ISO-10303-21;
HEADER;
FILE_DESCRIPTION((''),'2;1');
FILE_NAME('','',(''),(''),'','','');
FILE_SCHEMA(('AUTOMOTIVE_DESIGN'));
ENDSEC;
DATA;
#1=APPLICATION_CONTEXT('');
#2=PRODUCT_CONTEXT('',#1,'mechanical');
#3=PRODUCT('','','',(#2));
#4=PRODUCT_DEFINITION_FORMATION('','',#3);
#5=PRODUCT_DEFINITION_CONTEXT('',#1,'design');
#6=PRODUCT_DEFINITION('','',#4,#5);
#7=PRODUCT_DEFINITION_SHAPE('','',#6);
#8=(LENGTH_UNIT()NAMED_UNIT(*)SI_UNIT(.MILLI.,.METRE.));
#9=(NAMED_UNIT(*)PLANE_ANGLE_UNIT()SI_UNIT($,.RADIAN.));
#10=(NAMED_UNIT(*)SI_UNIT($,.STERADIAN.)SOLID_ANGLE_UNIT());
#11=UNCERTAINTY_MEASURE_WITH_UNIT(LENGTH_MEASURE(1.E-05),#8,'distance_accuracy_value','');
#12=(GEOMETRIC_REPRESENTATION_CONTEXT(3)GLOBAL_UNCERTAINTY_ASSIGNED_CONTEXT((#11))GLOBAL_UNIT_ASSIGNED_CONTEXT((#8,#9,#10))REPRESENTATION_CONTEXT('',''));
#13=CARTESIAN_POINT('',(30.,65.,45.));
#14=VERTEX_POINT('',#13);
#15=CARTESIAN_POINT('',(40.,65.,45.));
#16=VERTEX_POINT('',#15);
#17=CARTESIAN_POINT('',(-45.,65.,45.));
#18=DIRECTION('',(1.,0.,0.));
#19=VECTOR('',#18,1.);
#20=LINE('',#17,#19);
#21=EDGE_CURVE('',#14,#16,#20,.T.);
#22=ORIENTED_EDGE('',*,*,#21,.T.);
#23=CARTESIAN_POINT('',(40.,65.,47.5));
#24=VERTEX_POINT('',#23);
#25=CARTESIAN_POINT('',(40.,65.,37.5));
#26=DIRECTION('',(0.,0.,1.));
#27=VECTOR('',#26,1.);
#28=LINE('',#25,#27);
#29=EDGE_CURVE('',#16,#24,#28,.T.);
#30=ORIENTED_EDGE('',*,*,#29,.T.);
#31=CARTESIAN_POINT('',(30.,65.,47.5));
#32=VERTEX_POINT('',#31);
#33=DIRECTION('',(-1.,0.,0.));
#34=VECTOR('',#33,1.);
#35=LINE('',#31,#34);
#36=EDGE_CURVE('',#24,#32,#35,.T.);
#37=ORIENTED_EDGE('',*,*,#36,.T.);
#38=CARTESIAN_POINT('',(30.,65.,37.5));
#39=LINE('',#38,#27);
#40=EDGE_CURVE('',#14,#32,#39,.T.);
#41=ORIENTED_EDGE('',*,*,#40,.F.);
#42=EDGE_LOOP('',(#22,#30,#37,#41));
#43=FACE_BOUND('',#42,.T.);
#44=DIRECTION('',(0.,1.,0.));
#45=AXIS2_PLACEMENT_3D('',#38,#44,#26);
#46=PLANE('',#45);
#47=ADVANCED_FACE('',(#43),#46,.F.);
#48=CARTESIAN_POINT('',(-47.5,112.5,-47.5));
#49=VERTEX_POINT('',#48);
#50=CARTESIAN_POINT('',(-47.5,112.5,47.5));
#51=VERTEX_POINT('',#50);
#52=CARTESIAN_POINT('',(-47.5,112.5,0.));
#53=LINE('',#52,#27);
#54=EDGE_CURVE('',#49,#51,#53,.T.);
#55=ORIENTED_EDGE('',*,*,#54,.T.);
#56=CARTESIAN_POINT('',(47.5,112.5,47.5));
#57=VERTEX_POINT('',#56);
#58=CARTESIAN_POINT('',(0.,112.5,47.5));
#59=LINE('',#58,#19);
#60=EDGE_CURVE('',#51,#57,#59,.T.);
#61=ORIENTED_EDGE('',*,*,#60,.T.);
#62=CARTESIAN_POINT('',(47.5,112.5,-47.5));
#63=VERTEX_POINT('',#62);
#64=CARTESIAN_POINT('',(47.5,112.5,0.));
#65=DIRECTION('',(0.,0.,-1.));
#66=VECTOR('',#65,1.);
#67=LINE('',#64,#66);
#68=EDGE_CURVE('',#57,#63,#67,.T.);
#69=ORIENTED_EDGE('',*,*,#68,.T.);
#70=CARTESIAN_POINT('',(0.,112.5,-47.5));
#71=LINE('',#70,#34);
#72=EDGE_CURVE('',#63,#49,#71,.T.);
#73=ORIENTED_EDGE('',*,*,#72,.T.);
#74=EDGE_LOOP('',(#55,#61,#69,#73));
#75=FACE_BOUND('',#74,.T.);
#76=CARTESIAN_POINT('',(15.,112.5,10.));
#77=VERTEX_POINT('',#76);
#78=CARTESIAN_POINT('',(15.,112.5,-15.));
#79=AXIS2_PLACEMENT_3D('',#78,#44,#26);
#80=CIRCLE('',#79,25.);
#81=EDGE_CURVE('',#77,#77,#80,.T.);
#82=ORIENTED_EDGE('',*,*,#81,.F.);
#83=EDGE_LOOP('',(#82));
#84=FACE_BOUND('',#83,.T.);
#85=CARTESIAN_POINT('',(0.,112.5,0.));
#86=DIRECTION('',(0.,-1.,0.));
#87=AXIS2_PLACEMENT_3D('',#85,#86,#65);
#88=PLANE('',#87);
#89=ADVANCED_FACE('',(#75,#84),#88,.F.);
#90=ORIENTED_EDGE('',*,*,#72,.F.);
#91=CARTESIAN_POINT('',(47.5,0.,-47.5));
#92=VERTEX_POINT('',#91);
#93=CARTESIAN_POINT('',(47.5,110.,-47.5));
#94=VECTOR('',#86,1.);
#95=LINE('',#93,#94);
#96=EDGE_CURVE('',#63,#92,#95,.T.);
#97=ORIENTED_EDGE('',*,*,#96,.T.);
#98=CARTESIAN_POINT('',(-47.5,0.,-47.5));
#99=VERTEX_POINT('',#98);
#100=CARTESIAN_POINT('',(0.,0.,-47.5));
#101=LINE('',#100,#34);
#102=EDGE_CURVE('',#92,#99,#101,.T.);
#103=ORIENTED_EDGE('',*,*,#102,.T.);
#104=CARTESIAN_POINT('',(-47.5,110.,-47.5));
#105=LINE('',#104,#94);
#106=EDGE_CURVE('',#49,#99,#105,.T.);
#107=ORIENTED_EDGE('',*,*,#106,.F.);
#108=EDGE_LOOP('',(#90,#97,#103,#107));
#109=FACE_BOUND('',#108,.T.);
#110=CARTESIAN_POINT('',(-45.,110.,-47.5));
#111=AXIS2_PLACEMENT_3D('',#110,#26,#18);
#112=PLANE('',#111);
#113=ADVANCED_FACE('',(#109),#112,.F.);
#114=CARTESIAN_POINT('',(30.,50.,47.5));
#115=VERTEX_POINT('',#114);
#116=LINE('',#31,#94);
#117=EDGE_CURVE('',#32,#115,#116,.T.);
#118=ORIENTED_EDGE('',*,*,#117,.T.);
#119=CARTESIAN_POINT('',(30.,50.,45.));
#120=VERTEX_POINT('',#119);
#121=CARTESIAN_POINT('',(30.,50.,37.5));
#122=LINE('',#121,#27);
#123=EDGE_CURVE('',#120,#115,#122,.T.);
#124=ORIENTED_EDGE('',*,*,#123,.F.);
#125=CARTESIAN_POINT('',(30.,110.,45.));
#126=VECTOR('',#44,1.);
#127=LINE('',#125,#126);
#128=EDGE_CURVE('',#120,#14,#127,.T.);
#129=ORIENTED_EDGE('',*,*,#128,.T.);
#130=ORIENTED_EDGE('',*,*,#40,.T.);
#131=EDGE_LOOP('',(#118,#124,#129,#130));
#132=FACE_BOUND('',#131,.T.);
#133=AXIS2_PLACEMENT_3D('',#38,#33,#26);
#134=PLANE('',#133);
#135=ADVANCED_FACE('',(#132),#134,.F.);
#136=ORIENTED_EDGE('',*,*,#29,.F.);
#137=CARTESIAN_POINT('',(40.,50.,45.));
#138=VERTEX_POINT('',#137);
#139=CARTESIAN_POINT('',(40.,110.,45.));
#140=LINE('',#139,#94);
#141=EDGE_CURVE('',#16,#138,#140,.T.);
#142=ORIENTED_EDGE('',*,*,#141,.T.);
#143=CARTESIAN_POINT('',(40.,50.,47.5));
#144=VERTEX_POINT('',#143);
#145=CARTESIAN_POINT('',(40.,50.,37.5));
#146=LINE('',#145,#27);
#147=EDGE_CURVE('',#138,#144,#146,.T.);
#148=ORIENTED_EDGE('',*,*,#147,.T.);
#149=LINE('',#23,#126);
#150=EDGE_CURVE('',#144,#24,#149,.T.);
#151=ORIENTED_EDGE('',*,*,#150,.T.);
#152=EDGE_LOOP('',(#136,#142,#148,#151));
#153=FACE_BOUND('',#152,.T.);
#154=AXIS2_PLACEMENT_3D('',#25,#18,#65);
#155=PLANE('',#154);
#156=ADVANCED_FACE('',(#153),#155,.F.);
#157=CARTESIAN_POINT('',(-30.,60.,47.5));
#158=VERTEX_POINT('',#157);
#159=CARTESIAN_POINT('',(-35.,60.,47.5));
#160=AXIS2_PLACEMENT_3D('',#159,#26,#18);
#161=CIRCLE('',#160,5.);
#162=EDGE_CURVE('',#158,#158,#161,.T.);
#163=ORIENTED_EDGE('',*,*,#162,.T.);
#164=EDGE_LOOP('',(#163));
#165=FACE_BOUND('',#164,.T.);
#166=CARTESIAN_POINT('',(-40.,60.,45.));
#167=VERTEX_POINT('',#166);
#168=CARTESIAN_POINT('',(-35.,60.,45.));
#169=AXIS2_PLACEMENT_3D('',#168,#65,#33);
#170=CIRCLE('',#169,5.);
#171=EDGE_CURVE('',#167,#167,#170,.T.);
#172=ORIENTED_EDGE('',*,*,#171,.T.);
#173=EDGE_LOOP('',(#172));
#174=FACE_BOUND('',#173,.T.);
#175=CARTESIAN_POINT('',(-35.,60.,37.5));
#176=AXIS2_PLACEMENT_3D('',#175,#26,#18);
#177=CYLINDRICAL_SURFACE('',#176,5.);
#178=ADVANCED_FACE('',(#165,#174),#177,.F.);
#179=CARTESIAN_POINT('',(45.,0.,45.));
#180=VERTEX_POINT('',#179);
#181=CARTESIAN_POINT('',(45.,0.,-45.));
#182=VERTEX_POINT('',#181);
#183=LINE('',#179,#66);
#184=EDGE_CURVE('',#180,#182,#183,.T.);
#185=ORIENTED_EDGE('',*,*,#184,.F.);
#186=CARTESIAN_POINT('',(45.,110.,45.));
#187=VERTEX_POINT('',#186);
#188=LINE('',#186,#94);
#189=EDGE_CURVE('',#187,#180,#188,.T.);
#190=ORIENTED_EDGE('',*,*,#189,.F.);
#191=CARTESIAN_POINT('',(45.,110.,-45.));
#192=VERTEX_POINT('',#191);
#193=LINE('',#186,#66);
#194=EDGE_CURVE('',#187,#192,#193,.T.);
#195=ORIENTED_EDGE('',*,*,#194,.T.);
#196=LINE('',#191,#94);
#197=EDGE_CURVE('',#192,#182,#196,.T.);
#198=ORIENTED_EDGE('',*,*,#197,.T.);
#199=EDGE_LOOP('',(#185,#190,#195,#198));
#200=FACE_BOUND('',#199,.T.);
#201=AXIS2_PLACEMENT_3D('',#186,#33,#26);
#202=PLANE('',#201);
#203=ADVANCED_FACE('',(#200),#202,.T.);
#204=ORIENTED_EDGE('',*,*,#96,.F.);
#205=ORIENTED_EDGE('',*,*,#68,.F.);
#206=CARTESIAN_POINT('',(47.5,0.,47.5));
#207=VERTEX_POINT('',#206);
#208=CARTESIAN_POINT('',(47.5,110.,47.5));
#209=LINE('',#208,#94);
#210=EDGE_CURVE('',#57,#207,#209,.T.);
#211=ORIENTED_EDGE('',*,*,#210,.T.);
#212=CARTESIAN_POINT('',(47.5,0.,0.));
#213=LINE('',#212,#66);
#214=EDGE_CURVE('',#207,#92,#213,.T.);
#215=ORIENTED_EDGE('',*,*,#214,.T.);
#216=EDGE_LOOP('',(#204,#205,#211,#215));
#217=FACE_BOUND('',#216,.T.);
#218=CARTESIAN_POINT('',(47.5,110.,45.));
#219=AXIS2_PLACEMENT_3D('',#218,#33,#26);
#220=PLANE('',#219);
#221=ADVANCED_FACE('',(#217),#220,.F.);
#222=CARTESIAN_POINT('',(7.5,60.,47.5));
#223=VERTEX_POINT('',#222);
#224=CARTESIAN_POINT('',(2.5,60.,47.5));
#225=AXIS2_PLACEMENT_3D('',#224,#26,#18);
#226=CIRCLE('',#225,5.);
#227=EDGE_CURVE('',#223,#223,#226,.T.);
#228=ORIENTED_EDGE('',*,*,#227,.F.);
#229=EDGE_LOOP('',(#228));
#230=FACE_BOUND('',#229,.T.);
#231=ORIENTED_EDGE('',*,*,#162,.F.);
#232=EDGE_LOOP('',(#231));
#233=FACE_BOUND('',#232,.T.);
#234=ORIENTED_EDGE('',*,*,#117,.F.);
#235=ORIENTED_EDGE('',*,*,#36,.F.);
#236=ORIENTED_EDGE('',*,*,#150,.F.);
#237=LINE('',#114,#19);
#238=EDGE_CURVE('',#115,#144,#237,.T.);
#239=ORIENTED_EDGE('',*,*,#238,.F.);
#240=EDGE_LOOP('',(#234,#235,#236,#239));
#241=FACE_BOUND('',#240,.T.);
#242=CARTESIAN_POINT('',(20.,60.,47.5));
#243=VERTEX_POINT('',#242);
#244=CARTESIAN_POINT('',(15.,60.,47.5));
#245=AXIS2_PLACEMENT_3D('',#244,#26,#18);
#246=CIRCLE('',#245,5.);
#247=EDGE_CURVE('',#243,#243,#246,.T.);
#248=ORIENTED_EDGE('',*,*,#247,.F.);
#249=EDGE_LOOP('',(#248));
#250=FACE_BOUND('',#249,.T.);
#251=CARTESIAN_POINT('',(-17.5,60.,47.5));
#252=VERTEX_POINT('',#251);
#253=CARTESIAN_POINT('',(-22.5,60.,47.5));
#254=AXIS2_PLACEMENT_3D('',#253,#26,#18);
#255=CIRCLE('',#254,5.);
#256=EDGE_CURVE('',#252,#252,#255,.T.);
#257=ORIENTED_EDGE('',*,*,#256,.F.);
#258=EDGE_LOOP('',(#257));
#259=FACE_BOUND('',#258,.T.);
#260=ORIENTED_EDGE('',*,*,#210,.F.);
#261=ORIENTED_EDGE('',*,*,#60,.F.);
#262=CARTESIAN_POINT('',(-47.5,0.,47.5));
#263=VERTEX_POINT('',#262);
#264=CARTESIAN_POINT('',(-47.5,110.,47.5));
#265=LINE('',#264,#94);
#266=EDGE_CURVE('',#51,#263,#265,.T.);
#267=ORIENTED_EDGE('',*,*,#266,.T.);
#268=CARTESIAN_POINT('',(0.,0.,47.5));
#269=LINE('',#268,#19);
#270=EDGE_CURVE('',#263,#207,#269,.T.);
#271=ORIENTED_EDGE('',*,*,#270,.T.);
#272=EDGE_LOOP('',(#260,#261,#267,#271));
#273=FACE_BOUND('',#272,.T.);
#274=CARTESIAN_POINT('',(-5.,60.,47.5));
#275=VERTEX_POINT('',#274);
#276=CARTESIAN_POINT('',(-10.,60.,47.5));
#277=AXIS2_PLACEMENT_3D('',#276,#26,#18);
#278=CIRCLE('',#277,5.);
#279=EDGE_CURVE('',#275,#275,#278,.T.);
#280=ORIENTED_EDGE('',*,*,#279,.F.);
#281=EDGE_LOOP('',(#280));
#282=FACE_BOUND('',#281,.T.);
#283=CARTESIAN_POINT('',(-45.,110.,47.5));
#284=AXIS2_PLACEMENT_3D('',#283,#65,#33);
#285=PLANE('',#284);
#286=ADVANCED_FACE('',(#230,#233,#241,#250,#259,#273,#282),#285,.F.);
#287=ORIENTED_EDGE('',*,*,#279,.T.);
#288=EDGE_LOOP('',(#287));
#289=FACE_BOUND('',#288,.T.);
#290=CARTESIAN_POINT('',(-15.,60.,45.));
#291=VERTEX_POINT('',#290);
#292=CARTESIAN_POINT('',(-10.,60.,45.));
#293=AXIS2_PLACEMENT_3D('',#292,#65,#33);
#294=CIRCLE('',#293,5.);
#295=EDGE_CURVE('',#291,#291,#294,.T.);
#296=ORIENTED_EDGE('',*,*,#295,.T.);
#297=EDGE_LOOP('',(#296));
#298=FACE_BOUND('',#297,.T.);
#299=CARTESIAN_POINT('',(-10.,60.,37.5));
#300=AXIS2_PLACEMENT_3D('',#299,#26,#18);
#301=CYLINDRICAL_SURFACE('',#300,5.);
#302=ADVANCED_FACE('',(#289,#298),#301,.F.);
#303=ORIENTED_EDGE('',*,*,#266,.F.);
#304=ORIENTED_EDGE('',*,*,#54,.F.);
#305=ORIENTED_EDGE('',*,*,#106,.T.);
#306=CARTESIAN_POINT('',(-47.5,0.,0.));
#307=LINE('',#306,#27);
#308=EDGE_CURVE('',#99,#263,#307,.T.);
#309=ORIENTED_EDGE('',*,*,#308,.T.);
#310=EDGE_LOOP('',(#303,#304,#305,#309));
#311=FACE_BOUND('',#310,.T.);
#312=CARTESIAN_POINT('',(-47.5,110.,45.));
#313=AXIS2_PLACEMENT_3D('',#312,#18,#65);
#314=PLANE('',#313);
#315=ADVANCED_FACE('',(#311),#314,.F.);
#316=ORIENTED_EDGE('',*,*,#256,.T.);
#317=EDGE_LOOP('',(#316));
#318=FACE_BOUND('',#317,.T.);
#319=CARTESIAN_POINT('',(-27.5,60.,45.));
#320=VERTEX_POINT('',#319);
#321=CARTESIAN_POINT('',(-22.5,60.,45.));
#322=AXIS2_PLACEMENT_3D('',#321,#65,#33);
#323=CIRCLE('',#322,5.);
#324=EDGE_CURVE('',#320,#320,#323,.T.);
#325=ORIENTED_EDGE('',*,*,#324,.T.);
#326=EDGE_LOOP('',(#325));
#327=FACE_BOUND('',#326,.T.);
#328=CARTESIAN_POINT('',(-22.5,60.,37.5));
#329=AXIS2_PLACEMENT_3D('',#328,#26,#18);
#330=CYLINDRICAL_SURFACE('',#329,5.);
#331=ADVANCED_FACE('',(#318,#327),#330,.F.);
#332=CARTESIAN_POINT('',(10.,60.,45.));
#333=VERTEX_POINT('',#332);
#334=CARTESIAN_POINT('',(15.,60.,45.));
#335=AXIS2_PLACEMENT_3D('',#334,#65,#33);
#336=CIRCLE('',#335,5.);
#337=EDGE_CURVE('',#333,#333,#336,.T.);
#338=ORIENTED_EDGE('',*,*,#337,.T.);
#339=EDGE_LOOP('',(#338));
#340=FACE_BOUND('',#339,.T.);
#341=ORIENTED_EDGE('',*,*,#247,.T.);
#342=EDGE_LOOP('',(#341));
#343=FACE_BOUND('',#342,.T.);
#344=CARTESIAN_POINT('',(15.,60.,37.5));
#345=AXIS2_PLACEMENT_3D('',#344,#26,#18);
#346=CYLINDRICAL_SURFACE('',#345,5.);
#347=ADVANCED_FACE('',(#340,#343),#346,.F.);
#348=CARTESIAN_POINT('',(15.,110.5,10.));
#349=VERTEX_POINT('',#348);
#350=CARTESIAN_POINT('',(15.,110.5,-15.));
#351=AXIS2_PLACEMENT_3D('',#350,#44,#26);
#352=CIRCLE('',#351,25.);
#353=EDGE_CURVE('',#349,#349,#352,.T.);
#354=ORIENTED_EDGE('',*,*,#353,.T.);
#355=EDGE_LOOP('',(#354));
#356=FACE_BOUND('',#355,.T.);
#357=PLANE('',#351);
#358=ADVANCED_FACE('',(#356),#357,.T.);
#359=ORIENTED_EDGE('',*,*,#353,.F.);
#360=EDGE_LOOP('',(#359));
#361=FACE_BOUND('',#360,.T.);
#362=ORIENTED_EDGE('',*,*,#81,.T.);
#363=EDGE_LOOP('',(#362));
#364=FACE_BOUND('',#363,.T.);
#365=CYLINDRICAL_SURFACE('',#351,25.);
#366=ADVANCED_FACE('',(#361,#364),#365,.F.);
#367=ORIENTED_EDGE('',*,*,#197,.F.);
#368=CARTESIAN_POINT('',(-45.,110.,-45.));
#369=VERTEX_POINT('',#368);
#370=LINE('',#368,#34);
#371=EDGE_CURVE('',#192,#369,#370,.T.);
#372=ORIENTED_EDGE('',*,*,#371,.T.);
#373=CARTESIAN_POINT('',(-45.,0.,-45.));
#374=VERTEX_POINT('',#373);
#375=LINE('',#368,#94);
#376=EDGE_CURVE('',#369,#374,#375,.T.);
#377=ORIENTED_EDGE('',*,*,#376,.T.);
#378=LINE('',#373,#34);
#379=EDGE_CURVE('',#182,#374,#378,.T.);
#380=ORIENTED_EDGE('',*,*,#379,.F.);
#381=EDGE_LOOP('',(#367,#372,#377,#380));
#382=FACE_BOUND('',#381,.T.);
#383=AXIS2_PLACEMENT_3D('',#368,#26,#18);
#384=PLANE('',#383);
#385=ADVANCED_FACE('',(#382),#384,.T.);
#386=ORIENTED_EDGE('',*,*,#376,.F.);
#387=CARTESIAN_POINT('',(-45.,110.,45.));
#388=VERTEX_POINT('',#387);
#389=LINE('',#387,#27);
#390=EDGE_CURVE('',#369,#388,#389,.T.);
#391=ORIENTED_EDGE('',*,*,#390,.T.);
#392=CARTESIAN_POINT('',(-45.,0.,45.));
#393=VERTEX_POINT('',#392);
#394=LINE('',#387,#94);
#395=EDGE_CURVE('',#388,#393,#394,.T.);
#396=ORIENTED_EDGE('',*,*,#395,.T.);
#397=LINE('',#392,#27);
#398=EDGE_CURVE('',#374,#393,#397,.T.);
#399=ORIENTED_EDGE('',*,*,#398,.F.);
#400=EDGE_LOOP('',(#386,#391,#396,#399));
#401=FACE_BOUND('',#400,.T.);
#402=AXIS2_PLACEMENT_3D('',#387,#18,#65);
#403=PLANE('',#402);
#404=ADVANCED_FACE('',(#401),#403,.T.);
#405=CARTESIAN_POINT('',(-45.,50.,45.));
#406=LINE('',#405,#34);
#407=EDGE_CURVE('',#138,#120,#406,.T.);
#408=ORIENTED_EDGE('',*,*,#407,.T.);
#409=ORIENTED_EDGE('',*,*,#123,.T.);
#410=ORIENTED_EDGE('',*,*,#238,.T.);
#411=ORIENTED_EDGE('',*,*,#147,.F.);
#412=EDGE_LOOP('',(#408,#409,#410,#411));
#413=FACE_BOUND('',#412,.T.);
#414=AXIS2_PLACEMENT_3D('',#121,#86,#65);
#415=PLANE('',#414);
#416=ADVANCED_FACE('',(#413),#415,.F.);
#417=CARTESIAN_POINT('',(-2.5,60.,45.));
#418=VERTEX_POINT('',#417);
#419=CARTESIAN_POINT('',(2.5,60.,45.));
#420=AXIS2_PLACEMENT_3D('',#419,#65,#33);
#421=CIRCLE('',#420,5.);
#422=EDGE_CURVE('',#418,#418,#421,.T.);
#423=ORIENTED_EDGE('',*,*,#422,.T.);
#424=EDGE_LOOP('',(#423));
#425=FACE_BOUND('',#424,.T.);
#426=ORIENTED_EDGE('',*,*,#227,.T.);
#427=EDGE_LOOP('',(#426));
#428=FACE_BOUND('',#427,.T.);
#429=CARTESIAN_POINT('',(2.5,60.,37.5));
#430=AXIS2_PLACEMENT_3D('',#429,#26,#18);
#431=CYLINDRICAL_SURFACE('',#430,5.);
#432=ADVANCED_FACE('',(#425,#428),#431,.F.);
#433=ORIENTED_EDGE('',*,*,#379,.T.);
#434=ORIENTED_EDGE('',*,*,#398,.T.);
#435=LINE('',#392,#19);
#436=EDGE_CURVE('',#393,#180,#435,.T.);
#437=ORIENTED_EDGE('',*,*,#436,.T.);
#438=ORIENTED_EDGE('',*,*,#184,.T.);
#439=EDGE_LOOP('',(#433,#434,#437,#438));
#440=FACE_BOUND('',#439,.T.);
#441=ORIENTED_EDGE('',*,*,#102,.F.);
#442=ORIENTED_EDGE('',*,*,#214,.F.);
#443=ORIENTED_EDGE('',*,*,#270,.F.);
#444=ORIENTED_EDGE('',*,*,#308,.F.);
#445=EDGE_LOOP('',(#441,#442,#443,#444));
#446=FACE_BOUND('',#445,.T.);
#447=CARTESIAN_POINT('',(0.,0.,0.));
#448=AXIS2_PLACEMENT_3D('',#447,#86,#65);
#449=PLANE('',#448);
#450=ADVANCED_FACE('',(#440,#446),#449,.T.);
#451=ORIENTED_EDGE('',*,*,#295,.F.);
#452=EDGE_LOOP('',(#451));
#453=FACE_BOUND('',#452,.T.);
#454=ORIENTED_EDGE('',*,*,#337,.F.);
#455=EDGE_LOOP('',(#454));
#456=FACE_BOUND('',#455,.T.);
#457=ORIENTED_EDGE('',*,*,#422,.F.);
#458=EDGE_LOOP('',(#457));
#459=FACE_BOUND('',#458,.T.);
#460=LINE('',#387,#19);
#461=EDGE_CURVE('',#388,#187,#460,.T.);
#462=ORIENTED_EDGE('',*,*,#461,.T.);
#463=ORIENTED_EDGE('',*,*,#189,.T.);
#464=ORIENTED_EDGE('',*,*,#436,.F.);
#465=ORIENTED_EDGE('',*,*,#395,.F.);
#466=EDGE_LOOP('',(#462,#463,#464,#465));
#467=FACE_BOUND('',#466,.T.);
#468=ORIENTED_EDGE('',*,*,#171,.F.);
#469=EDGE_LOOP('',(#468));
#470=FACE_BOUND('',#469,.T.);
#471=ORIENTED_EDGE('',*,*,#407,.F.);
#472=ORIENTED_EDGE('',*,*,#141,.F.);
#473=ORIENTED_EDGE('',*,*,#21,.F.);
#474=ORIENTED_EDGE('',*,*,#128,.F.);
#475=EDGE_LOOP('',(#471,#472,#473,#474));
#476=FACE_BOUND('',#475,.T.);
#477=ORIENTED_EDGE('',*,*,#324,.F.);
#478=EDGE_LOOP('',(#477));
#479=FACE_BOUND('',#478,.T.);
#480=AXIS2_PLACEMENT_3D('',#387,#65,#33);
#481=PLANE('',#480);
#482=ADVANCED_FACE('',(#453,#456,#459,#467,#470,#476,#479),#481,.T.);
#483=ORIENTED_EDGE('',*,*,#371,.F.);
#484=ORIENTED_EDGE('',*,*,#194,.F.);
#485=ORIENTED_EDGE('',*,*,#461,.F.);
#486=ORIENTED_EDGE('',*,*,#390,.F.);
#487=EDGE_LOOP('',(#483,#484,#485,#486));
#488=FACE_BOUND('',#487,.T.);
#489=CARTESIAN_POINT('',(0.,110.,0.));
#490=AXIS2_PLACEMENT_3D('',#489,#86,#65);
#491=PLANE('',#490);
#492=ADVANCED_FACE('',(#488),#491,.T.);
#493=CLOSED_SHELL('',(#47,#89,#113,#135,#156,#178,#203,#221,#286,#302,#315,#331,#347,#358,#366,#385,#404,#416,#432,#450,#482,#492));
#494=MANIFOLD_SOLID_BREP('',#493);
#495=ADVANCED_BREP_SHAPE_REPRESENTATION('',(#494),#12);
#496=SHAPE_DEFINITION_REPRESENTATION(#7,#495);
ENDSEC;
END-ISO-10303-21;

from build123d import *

# Parameters (mm, degrees)
SKETCH2_W           = 90
SKETCH2_H           = 90
BOSS_EXTRUDE2_DEPTH = 110
SHELL2_T            = 2.5
SKETCH3_R           = 5
SKETCH3_W           = 10
SKETCH3_H           = 15
CUT_EXTRUDE1_DEPTH  = 10
SKETCH4_R           = 25
CUT_EXTRUDE2_DEPTH  = 2


with BuildPart() as part:
    # Sketch2 → Boss-Extrude2 (new body)
    with BuildSketch(Plane(origin=(0, 0, 0), x_dir=(1, 0, 0), z_dir=(0, 1, 0))):
        Rectangle(SKETCH2_W, SKETCH2_H)
    extrude(amount=BOSS_EXTRUDE2_DEPTH)

    # Shell2
    shell2_openings = [part.faces().sort_by_distance(p)[0] for p in [
        (0, 0, 0),
    ]]
    offset(amount=SHELL2_T, openings=shell2_openings, kind=Kind.INTERSECTION)

    # Sketch3 → Cut-Extrude1 (cut)
    with BuildSketch(Plane.XY.offset(47.5)):
        with Locations((-35, 60)):
            Circle(SKETCH3_R)
        with Locations((-22.5, 60)):
            Circle(SKETCH3_R)
        with Locations((-10, 60)):
            Circle(SKETCH3_R)
        with Locations((2.5, 60)):
            Circle(SKETCH3_R)
        with Locations((15, 60)):
            Circle(SKETCH3_R)
        with Locations((35, 57.5)):
            Rectangle(SKETCH3_W, SKETCH3_H)
    extrude(amount=-CUT_EXTRUDE1_DEPTH, mode=Mode.SUBTRACT)

    # Sketch4 → Cut-Extrude2 (cut)
    with BuildSketch(Plane(origin=(0, 112.5, 0), x_dir=(1, 0, 0), z_dir=(0, 1, 0))):
        with Locations(Location((15, 15, 0), (0, 0, 270))):
            Circle(SKETCH4_R)
    extrude(amount=-CUT_EXTRUDE2_DEPTH, mode=Mode.SUBTRACT)


solid = part.part
